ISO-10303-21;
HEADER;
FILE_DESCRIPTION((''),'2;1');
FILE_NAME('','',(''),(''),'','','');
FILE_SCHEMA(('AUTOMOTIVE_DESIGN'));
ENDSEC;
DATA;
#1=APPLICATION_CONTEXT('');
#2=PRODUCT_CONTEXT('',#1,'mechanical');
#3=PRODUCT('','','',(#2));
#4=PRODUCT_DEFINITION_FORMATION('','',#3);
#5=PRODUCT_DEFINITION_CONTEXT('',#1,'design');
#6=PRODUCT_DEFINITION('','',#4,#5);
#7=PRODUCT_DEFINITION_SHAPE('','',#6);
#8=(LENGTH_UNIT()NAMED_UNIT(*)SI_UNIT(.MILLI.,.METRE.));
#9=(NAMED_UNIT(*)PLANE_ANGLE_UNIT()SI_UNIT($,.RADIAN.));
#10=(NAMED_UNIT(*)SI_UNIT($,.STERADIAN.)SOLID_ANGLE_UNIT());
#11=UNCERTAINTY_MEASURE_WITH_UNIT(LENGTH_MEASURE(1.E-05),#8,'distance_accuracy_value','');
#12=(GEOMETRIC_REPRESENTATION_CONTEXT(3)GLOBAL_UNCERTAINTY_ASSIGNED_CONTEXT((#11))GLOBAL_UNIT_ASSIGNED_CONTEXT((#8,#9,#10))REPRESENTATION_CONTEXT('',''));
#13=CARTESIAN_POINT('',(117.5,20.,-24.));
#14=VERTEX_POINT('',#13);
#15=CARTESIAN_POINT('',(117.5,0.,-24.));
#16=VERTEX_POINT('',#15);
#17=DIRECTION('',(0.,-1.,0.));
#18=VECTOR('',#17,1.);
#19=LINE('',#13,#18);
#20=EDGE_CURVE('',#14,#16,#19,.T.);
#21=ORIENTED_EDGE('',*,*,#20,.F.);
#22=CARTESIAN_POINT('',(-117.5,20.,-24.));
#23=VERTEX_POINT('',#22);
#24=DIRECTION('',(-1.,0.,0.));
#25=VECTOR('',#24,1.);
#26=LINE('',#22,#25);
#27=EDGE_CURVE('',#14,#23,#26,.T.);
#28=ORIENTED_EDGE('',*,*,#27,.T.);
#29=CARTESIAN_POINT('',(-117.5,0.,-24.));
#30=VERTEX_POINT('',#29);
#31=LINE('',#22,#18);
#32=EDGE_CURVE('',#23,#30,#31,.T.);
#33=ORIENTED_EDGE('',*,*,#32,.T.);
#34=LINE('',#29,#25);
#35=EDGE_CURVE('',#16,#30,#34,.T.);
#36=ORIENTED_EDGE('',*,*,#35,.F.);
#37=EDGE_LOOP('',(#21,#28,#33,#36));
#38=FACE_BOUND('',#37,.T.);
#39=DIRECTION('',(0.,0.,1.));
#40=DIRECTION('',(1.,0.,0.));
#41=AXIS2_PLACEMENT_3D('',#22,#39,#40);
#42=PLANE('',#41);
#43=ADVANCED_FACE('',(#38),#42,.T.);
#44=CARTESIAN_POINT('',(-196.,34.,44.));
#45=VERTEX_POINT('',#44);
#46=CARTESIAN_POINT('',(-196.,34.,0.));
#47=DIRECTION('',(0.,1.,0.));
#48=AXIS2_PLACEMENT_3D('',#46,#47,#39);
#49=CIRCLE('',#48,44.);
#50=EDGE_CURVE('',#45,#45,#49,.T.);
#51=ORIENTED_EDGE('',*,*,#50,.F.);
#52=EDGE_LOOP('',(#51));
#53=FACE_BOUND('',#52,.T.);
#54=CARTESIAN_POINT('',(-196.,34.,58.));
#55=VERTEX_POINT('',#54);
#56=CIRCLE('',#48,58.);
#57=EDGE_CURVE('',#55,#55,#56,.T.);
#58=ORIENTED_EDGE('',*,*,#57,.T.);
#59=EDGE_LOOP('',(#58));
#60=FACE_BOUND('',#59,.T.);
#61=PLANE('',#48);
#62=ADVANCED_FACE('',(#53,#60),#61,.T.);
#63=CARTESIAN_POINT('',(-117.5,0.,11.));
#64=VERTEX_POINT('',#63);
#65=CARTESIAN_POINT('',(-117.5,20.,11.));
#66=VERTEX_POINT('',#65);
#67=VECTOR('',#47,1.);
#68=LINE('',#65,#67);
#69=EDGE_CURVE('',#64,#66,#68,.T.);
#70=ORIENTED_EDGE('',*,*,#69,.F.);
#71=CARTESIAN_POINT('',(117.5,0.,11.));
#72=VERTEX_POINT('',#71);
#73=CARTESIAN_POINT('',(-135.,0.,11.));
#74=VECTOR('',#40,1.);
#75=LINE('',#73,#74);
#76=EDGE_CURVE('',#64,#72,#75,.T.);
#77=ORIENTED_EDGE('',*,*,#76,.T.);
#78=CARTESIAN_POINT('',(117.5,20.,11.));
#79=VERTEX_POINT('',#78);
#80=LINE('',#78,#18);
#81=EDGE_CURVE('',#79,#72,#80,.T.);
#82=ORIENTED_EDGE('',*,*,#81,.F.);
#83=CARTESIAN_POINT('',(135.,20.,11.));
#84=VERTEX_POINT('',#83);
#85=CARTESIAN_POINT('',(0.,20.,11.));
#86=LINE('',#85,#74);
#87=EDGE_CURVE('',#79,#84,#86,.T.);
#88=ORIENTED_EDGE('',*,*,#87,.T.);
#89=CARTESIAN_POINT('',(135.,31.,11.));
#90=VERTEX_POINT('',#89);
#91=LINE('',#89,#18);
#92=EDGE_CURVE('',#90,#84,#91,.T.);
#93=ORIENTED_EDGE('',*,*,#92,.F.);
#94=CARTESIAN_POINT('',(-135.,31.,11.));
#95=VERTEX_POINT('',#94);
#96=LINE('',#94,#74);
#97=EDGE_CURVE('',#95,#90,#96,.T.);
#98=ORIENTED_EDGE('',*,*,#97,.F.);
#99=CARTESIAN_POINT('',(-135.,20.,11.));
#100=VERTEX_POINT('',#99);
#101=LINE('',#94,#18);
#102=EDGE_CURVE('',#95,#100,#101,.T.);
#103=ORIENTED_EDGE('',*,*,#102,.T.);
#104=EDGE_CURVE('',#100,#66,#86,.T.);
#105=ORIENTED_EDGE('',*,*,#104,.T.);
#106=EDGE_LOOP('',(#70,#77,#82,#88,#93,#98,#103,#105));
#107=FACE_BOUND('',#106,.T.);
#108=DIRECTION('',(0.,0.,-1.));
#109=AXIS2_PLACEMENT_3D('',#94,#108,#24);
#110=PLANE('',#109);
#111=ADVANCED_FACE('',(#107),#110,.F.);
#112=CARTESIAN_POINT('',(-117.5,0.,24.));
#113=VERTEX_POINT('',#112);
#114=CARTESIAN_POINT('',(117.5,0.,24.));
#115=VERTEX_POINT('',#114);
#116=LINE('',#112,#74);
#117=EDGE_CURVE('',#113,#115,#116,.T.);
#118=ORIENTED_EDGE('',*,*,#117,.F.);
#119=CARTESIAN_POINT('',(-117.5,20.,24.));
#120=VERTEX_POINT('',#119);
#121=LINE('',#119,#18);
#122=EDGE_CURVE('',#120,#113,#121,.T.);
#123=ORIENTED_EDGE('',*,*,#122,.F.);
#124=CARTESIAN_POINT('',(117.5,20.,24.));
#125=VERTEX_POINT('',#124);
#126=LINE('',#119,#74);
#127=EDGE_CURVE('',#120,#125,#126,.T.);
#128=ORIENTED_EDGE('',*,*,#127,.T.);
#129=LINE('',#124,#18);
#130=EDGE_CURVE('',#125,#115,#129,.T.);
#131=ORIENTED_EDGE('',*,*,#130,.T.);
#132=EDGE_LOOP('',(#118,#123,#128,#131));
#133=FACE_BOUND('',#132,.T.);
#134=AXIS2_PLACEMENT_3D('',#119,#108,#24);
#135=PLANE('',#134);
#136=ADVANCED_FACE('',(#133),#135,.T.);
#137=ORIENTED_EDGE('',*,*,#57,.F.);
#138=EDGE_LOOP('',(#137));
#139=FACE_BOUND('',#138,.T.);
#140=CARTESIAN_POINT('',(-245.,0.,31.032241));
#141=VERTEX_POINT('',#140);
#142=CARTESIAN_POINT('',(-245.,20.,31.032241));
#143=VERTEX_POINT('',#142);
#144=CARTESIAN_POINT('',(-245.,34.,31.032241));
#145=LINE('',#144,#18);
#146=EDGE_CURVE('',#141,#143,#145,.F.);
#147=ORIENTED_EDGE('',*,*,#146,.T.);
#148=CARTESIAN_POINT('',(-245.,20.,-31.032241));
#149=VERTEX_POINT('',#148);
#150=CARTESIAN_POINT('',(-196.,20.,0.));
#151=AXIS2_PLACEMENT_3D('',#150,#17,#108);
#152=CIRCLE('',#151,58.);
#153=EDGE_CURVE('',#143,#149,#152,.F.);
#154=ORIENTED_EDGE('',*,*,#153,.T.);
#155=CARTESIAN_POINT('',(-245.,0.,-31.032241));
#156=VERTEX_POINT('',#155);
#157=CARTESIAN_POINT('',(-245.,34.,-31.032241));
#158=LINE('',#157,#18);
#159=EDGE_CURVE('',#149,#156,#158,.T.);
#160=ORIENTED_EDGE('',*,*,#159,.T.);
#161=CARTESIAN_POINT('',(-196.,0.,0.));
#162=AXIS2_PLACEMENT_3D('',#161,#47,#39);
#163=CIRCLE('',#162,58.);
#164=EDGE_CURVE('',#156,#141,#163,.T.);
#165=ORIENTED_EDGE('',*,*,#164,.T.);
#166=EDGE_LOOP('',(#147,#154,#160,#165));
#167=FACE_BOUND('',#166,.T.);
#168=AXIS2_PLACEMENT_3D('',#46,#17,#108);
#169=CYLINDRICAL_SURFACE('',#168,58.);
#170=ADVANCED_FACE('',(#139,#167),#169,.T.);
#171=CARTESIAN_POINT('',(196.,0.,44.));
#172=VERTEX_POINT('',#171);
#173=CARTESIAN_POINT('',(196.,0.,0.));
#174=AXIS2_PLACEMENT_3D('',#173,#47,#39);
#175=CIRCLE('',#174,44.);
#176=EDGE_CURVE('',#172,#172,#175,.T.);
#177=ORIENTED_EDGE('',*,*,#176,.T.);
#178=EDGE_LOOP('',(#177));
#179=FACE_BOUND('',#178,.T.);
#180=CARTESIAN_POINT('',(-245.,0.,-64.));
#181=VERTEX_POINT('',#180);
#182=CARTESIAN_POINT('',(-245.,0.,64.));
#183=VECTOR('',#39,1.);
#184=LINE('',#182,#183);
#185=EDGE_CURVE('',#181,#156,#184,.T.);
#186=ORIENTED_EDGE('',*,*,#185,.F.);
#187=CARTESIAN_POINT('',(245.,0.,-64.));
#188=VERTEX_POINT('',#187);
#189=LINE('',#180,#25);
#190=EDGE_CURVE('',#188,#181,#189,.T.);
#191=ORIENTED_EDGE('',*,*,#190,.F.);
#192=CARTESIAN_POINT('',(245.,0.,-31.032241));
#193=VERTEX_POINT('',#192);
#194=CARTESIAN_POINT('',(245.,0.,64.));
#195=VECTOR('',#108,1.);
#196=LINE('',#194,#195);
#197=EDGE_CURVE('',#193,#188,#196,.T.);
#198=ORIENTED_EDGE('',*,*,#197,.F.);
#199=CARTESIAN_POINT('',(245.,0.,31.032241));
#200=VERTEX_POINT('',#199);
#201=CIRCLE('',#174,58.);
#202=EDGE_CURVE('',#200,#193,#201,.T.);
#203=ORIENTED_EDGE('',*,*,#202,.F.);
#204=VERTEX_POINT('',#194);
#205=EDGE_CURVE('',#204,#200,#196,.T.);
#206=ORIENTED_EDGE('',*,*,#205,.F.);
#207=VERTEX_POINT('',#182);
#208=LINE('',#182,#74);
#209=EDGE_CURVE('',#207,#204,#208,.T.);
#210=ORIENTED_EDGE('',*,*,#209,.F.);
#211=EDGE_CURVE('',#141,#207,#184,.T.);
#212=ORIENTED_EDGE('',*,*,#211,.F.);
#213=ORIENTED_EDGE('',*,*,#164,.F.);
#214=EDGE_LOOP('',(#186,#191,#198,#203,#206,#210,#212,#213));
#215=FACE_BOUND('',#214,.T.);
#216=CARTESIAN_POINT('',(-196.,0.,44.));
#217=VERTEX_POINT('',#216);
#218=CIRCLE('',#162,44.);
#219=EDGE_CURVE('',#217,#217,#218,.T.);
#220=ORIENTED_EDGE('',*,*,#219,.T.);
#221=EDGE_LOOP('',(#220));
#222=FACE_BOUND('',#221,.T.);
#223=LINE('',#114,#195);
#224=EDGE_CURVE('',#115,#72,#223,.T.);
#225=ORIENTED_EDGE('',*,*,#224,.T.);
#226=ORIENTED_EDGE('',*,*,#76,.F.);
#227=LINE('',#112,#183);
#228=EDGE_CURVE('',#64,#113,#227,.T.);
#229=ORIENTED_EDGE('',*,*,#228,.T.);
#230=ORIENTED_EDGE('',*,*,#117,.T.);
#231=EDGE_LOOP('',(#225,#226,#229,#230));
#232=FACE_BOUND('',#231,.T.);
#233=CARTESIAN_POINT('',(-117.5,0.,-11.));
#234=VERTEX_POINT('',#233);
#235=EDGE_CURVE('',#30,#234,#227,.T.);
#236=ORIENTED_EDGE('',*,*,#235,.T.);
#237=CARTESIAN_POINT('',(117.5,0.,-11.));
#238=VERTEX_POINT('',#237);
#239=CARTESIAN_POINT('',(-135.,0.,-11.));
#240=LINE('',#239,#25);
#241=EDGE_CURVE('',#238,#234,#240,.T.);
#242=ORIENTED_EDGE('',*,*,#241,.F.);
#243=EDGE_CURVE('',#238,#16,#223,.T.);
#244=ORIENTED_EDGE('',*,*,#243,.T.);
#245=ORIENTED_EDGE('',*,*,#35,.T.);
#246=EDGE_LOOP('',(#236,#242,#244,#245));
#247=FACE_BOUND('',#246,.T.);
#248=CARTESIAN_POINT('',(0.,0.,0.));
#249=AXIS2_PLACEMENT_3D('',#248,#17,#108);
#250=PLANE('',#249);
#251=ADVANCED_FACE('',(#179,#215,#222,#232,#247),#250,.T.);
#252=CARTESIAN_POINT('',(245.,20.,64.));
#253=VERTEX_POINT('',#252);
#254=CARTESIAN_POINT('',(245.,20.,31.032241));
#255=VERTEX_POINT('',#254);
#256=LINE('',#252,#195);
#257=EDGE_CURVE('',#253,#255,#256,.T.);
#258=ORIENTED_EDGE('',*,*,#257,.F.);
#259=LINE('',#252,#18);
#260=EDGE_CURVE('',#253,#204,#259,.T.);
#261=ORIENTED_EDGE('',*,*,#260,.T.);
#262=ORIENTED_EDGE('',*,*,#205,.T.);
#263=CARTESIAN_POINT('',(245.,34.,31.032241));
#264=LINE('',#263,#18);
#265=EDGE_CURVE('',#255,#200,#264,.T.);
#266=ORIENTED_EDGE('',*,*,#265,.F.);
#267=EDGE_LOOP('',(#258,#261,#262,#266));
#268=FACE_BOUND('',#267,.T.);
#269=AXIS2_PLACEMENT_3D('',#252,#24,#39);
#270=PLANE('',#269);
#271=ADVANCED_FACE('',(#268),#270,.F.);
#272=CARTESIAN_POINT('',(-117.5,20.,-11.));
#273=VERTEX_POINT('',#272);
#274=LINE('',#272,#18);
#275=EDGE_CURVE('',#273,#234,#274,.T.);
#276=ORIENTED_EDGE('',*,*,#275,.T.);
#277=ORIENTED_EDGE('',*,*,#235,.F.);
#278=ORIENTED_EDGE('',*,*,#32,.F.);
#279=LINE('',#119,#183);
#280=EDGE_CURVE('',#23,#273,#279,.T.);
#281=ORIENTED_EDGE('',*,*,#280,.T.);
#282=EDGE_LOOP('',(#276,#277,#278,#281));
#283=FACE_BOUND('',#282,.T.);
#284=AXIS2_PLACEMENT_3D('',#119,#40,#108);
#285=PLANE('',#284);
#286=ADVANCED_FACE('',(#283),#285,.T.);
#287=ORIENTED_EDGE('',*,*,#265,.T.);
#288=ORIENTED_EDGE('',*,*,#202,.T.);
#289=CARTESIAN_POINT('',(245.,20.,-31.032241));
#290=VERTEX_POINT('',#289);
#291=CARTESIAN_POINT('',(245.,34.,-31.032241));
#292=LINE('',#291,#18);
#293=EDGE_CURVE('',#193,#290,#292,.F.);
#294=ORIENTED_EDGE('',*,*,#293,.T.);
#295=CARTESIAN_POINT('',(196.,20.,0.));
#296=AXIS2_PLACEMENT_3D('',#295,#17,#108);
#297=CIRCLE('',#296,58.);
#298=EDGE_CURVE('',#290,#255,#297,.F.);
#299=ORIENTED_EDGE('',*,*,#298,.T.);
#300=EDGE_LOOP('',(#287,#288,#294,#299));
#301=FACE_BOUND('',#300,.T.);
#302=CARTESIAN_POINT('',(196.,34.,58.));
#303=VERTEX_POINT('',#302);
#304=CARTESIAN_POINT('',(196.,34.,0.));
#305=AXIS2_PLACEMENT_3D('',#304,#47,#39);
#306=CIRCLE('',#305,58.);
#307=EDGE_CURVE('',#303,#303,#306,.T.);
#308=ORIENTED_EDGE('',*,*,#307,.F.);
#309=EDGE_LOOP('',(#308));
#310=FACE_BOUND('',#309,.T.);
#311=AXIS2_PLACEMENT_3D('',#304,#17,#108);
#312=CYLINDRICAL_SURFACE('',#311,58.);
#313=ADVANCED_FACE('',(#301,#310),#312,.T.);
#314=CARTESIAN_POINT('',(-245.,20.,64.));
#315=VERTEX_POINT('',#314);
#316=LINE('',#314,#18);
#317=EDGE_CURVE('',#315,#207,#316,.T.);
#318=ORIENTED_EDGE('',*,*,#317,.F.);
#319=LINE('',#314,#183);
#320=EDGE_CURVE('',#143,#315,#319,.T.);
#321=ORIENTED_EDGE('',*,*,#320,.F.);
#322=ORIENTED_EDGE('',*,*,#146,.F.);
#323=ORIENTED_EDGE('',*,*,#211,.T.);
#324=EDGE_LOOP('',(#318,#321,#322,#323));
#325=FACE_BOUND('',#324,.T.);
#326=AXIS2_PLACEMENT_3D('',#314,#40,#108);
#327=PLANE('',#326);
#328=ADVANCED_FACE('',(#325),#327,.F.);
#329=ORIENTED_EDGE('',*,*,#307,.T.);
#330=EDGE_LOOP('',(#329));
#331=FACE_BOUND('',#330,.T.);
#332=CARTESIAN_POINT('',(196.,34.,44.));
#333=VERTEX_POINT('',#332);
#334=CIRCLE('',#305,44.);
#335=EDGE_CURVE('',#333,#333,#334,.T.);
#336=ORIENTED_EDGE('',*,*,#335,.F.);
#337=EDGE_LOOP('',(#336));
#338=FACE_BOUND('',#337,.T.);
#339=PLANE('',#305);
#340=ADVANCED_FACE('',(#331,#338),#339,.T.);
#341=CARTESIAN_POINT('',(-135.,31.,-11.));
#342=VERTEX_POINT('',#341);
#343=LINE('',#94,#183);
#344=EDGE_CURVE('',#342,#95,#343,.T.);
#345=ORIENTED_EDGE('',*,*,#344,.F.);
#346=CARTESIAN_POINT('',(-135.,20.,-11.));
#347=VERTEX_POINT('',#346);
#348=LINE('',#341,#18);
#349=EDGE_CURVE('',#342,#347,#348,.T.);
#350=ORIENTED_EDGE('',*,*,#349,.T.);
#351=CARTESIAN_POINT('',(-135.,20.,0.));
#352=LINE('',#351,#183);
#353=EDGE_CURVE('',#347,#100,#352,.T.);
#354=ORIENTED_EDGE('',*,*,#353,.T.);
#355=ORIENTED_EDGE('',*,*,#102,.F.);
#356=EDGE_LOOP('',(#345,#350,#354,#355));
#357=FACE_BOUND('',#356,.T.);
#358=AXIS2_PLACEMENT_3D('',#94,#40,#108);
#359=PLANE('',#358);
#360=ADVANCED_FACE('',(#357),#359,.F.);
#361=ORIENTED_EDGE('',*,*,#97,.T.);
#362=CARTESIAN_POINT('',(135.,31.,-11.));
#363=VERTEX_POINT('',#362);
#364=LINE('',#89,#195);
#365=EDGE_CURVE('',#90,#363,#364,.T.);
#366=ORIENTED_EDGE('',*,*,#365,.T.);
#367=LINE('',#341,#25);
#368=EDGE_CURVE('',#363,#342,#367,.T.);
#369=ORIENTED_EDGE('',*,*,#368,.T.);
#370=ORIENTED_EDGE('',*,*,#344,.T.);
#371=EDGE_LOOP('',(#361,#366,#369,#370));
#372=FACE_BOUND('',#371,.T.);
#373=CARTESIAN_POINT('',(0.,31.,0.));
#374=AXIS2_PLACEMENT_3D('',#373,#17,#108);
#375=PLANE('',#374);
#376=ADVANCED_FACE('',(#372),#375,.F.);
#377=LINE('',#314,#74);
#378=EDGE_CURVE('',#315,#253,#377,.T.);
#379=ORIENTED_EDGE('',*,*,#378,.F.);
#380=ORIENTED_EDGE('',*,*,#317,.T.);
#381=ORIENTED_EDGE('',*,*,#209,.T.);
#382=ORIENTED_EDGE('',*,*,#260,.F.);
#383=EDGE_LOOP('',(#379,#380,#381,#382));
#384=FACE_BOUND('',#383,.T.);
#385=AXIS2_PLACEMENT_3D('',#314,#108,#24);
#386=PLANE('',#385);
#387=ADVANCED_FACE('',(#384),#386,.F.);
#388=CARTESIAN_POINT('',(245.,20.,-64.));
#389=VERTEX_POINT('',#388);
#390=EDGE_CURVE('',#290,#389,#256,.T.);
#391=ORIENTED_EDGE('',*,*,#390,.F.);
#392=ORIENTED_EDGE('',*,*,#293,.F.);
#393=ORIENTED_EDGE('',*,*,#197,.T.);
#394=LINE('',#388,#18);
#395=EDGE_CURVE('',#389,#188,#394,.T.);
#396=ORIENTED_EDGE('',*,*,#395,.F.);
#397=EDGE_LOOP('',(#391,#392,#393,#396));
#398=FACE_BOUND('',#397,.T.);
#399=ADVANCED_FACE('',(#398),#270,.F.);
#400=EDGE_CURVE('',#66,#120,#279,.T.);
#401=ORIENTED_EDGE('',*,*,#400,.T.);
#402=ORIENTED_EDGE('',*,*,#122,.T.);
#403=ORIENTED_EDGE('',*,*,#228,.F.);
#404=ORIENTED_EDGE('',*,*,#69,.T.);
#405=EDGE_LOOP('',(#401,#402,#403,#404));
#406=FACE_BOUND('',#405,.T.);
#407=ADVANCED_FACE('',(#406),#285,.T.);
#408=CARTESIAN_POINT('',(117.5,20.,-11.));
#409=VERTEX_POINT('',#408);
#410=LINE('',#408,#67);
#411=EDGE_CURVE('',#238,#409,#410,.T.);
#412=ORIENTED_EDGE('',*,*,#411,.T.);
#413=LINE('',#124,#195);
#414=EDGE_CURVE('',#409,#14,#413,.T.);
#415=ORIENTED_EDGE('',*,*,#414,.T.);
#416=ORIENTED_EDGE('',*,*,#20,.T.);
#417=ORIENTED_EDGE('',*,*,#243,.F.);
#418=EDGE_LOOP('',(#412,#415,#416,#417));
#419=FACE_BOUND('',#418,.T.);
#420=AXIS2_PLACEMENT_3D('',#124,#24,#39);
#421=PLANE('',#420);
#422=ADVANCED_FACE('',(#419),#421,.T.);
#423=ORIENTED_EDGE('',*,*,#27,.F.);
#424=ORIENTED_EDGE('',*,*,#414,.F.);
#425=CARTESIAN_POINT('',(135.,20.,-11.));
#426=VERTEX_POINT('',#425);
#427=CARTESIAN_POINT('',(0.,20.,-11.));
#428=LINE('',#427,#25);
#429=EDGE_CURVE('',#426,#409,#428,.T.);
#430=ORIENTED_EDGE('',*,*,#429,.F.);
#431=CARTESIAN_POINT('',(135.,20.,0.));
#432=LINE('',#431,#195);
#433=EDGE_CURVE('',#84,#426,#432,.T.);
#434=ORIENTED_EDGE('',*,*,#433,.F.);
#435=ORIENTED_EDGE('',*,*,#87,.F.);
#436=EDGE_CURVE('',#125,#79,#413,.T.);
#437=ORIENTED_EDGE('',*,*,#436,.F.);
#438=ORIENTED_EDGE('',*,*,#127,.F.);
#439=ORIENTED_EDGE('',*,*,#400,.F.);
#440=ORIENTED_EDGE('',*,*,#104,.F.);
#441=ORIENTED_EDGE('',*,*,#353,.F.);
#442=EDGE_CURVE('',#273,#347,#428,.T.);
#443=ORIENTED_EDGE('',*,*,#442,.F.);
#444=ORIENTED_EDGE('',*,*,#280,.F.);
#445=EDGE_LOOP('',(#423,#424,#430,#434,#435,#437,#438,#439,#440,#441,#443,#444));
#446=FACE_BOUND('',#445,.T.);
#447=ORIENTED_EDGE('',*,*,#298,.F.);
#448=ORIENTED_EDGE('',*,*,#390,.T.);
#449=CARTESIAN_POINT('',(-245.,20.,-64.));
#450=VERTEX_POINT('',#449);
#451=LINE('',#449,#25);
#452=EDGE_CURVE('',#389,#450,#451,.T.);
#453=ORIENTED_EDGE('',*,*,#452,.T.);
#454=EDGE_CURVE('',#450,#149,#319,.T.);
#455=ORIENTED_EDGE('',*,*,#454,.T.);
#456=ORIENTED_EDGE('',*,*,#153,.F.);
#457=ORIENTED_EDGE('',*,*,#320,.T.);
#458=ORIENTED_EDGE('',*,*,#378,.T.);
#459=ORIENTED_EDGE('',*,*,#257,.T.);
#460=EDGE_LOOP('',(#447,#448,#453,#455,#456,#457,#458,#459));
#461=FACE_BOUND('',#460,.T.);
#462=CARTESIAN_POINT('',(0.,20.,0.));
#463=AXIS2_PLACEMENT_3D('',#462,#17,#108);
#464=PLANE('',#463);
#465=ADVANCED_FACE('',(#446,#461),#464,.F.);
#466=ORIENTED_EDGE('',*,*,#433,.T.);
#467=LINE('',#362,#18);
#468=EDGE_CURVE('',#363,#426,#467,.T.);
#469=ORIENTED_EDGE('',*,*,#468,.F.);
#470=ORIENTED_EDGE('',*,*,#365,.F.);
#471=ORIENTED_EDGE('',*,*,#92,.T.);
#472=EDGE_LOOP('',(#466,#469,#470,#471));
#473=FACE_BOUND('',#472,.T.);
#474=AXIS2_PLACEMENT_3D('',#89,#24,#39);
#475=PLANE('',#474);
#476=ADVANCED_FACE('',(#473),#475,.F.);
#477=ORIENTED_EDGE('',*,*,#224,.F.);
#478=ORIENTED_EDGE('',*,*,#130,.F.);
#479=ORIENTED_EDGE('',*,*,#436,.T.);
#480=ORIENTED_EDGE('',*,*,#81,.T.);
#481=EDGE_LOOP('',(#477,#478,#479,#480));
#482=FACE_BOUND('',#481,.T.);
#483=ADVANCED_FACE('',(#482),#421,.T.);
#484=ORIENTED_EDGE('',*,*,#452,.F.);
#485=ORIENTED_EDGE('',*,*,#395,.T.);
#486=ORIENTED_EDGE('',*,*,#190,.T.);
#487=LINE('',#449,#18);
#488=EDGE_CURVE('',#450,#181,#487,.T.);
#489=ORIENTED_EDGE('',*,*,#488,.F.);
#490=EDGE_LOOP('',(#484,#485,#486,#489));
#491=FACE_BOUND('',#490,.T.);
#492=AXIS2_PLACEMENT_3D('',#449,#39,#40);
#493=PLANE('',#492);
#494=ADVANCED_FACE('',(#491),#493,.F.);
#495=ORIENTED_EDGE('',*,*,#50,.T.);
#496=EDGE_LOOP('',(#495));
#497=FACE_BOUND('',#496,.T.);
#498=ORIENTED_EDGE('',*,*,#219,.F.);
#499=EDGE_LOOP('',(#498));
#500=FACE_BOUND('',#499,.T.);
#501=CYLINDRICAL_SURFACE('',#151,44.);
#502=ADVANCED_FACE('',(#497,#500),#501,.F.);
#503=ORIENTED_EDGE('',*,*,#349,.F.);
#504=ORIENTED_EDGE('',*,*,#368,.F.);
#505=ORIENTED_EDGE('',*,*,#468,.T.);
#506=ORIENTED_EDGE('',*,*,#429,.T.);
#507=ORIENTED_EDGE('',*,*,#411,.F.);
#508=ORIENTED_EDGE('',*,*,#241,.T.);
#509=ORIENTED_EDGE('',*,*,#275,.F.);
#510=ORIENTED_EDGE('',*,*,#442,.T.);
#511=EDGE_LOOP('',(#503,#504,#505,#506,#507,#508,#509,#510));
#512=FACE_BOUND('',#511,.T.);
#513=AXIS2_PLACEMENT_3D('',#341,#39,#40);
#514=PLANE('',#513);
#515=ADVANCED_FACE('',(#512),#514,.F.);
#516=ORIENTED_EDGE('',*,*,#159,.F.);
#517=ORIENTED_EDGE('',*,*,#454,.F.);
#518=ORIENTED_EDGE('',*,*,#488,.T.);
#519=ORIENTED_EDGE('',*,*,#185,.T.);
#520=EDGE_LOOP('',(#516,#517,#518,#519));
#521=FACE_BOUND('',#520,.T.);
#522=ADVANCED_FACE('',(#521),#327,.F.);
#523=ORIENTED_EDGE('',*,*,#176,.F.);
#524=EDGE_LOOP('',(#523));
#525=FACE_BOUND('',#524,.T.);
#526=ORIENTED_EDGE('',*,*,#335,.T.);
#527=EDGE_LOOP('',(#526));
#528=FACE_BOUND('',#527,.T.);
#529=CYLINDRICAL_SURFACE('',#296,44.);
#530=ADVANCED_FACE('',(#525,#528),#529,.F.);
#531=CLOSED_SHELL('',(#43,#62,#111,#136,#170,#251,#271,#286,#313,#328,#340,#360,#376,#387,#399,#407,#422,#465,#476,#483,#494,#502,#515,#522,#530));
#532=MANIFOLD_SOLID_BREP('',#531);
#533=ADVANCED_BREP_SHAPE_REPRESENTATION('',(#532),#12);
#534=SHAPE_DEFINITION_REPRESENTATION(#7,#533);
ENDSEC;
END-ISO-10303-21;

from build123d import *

# Parameters (mm, degrees)
F_01_LINK_PROFILE_W            = 490
F_01_LINK_PROFILE_H            = 128
F_01_LINK_PROFILE_R            = 44
F_01_LINK_PROFILE_W_2          = 235
F_01_LINK_PROFILE_H_2          = 48
F_01_LINK_PLATE_DEPTH          = 20
F_02_END_BOSS_PROFILES_R       = 58
F_02_END_BOSS_PROFILES_R_2     = 44
F_02_BEARING_SEAT_BOSSES_DEPTH = 34
F_03_CENTER_RIB_PROFILE_W      = 270
F_03_CENTER_RIB_PROFILE_H      = 22
F_03_CENTER_RIB_DEPTH          = 31


with BuildPart() as part:
    # 01_Link_Profile → 01_Link_Plate (new body)
    with BuildSketch(Plane(origin=(0, 0, 0), x_dir=(1, 0, 0), z_dir=(0, 1, 0))):
        Rectangle(F_01_LINK_PROFILE_W, F_01_LINK_PROFILE_H)
        with Locations(Location((-196, 0, 0), (0, 0, 270))):
            Circle(F_01_LINK_PROFILE_R, mode=Mode.SUBTRACT)
        with Locations(Location((196, 0, 0), (0, 0, 270))):
            Circle(F_01_LINK_PROFILE_R, mode=Mode.SUBTRACT)
        Rectangle(F_01_LINK_PROFILE_W_2, F_01_LINK_PROFILE_H_2, mode=Mode.SUBTRACT)
    extrude(amount=F_01_LINK_PLATE_DEPTH)

    # 02_End_Boss_Profiles → 02_Bearing_Seat_Bosses (add)
    # profile 1 of 2: a face of its own
    with BuildSketch(Plane(origin=(0, 0, 0), x_dir=(1, 0, 0), z_dir=(0, 1, 0))):
        with Locations(Location((-196, 0, 0), (0, 0, 147.653467871))):
            Circle(F_02_END_BOSS_PROFILES_R)
        with Locations(Location((-196, 0, 0), (0, 0, 270))):
            Circle(F_02_END_BOSS_PROFILES_R_2, mode=Mode.SUBTRACT)
    # profile 2 of 2: a face of its own
    with BuildSketch(Plane(origin=(0, 0, 0), x_dir=(1, 0, 0), z_dir=(0, 1, 0))):
        with Locations(Location((196, 0, 0), (0, 0, 32.346532129))):
            Circle(F_02_END_BOSS_PROFILES_R)
        with Locations(Location((196, 0, 0), (0, 0, 270))):
            Circle(F_02_END_BOSS_PROFILES_R_2, mode=Mode.SUBTRACT)
    extrude(amount=F_02_BEARING_SEAT_BOSSES_DEPTH)

    # 03_Center_Rib_Profile → 03_Center_Rib (add)
    with BuildSketch(Plane(origin=(0, 0, 0), x_dir=(1, 0, 0), z_dir=(0, 1, 0))):
        Rectangle(F_03_CENTER_RIB_PROFILE_W, F_03_CENTER_RIB_PROFILE_H)
    extrude(amount=F_03_CENTER_RIB_DEPTH)


solid = part.part
